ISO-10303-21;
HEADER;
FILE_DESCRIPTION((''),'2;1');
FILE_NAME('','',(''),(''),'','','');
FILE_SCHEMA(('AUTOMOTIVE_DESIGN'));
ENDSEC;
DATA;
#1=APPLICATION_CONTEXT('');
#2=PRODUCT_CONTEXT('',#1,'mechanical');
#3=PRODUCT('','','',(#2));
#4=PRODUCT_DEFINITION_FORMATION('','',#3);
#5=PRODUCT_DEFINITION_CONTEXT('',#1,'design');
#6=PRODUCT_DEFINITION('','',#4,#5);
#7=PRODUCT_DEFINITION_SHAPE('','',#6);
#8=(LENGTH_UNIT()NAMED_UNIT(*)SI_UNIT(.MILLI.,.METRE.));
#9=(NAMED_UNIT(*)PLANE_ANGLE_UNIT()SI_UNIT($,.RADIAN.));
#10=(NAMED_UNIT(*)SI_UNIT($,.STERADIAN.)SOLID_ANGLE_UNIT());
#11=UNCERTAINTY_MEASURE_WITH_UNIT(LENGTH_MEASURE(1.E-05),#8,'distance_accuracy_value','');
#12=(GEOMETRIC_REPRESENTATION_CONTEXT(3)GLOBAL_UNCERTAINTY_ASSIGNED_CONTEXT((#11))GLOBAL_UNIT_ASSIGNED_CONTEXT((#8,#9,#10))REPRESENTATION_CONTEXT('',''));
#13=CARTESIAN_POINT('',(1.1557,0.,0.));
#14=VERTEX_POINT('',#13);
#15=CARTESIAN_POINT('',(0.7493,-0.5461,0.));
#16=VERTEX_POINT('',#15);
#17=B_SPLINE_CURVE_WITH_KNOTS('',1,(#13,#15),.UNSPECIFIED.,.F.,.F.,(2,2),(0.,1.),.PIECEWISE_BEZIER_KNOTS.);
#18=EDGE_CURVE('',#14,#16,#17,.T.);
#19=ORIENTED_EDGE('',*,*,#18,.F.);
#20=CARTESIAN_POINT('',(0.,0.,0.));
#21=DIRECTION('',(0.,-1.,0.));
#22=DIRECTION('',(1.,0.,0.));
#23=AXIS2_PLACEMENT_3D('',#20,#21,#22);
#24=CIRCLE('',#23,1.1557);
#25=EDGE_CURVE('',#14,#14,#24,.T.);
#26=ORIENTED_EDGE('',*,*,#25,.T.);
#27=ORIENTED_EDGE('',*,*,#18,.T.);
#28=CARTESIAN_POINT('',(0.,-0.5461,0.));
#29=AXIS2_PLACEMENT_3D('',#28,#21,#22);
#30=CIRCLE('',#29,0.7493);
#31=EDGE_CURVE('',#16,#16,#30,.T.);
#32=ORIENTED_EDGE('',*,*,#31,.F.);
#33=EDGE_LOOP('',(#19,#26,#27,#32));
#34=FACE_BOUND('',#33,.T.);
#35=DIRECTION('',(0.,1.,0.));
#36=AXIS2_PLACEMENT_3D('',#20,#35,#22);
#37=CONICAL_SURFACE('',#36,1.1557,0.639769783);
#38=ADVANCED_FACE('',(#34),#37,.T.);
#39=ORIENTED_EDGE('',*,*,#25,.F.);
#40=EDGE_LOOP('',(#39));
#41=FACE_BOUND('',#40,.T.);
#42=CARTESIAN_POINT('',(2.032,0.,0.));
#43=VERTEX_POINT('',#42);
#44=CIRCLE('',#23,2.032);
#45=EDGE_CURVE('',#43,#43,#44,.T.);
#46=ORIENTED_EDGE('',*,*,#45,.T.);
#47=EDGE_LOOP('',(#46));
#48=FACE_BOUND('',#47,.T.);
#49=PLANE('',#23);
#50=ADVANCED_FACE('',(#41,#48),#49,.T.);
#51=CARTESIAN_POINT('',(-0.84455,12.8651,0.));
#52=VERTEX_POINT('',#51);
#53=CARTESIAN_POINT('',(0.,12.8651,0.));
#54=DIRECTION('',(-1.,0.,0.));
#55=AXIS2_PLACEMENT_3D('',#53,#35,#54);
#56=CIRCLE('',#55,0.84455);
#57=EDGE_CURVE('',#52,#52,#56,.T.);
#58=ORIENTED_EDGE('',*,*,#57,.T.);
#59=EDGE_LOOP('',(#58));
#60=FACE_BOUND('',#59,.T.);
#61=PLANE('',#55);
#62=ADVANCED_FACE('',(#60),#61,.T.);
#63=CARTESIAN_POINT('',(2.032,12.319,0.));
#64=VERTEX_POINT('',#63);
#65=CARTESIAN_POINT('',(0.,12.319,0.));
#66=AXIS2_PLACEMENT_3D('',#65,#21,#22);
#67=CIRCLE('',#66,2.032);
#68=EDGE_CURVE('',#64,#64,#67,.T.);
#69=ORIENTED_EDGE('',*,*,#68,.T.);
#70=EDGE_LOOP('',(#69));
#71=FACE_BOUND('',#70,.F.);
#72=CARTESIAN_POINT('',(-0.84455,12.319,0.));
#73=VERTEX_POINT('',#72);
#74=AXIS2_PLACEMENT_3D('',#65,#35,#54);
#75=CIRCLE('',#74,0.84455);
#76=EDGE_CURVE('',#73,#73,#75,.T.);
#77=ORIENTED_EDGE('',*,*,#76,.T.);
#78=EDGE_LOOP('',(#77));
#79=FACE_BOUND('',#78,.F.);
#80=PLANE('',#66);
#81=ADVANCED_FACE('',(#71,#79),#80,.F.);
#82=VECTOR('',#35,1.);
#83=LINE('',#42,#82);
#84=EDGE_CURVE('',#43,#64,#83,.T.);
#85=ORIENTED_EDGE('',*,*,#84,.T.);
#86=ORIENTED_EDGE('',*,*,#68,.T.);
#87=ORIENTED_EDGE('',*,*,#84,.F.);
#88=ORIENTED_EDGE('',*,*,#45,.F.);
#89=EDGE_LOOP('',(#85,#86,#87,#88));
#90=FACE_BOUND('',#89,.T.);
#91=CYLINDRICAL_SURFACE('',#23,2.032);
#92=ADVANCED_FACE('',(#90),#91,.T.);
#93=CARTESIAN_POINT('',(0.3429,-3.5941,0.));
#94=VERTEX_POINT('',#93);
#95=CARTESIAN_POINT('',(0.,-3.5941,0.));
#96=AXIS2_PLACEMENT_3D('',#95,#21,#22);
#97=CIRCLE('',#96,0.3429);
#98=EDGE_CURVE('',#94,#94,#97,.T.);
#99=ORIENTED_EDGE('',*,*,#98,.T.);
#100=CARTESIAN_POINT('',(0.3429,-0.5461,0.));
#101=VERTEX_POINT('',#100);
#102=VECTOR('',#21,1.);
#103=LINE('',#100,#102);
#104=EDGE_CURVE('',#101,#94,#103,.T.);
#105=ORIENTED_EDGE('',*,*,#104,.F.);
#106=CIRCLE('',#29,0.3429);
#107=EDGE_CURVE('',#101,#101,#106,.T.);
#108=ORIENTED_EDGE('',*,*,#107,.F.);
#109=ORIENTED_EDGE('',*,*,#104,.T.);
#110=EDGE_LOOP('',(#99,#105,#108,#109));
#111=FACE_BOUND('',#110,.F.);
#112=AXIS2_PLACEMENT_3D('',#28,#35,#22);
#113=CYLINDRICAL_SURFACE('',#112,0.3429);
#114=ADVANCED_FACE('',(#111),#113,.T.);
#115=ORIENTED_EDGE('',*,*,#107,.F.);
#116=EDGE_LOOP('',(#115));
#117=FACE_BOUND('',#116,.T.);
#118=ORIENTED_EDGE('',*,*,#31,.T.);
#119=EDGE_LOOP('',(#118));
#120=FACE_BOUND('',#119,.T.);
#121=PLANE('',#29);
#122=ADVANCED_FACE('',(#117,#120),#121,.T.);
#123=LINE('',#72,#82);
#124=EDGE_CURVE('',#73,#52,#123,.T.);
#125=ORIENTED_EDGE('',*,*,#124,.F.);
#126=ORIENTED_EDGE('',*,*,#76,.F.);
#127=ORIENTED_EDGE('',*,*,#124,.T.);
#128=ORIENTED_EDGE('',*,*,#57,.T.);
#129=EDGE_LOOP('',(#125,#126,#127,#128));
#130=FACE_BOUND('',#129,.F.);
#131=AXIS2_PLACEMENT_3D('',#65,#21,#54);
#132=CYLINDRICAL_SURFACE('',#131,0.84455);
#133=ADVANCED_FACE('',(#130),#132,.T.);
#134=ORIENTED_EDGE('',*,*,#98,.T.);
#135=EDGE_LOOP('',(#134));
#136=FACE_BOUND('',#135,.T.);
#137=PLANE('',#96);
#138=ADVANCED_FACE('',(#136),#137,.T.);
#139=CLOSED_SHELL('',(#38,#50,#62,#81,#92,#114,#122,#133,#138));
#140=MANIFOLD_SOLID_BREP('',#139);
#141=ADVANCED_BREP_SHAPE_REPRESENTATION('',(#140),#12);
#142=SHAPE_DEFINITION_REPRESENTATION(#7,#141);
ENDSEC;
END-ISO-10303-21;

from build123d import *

# Parameters (mm, degrees)
F0_R     = 2.032
F1_DEPTH = 12.319
F2_R     = 0.84455
F3_DEPTH = 0.5461
F4_R     = 1.1557
F6_R     = 0.7493
F8_R     = 0.3429
F9_DEPTH = 3.048


with BuildPart() as f1:
    # F0 (on Front) → F1 (new body)
    with BuildSketch(Plane.XZ):
        Circle(F0_R)
    extrude(amount=-F1_DEPTH)

    # F2 (on face) → F3 (join)
    with BuildSketch(Plane(origin=(0, 12.319, 0), x_dir=(-1, 0, 0), z_dir=(0, 1, 0))):
        Circle(F2_R)
    extrude(amount=F3_DEPTH)

    # F4 (on face) → F7 section 0
    with BuildSketch(Plane.XZ):
        Circle(F4_R)
    # F6 (on offset) → F7 section 1
    with BuildSketch(Plane.XZ.offset(0.5461)):
        Circle(F6_R)
    loft()

    # F8 (on face) → F9 (join)
    with BuildSketch(Plane.XZ.offset(0.5461)):
        Circle(F8_R)
    extrude(amount=F9_DEPTH)


solid = f1.part
